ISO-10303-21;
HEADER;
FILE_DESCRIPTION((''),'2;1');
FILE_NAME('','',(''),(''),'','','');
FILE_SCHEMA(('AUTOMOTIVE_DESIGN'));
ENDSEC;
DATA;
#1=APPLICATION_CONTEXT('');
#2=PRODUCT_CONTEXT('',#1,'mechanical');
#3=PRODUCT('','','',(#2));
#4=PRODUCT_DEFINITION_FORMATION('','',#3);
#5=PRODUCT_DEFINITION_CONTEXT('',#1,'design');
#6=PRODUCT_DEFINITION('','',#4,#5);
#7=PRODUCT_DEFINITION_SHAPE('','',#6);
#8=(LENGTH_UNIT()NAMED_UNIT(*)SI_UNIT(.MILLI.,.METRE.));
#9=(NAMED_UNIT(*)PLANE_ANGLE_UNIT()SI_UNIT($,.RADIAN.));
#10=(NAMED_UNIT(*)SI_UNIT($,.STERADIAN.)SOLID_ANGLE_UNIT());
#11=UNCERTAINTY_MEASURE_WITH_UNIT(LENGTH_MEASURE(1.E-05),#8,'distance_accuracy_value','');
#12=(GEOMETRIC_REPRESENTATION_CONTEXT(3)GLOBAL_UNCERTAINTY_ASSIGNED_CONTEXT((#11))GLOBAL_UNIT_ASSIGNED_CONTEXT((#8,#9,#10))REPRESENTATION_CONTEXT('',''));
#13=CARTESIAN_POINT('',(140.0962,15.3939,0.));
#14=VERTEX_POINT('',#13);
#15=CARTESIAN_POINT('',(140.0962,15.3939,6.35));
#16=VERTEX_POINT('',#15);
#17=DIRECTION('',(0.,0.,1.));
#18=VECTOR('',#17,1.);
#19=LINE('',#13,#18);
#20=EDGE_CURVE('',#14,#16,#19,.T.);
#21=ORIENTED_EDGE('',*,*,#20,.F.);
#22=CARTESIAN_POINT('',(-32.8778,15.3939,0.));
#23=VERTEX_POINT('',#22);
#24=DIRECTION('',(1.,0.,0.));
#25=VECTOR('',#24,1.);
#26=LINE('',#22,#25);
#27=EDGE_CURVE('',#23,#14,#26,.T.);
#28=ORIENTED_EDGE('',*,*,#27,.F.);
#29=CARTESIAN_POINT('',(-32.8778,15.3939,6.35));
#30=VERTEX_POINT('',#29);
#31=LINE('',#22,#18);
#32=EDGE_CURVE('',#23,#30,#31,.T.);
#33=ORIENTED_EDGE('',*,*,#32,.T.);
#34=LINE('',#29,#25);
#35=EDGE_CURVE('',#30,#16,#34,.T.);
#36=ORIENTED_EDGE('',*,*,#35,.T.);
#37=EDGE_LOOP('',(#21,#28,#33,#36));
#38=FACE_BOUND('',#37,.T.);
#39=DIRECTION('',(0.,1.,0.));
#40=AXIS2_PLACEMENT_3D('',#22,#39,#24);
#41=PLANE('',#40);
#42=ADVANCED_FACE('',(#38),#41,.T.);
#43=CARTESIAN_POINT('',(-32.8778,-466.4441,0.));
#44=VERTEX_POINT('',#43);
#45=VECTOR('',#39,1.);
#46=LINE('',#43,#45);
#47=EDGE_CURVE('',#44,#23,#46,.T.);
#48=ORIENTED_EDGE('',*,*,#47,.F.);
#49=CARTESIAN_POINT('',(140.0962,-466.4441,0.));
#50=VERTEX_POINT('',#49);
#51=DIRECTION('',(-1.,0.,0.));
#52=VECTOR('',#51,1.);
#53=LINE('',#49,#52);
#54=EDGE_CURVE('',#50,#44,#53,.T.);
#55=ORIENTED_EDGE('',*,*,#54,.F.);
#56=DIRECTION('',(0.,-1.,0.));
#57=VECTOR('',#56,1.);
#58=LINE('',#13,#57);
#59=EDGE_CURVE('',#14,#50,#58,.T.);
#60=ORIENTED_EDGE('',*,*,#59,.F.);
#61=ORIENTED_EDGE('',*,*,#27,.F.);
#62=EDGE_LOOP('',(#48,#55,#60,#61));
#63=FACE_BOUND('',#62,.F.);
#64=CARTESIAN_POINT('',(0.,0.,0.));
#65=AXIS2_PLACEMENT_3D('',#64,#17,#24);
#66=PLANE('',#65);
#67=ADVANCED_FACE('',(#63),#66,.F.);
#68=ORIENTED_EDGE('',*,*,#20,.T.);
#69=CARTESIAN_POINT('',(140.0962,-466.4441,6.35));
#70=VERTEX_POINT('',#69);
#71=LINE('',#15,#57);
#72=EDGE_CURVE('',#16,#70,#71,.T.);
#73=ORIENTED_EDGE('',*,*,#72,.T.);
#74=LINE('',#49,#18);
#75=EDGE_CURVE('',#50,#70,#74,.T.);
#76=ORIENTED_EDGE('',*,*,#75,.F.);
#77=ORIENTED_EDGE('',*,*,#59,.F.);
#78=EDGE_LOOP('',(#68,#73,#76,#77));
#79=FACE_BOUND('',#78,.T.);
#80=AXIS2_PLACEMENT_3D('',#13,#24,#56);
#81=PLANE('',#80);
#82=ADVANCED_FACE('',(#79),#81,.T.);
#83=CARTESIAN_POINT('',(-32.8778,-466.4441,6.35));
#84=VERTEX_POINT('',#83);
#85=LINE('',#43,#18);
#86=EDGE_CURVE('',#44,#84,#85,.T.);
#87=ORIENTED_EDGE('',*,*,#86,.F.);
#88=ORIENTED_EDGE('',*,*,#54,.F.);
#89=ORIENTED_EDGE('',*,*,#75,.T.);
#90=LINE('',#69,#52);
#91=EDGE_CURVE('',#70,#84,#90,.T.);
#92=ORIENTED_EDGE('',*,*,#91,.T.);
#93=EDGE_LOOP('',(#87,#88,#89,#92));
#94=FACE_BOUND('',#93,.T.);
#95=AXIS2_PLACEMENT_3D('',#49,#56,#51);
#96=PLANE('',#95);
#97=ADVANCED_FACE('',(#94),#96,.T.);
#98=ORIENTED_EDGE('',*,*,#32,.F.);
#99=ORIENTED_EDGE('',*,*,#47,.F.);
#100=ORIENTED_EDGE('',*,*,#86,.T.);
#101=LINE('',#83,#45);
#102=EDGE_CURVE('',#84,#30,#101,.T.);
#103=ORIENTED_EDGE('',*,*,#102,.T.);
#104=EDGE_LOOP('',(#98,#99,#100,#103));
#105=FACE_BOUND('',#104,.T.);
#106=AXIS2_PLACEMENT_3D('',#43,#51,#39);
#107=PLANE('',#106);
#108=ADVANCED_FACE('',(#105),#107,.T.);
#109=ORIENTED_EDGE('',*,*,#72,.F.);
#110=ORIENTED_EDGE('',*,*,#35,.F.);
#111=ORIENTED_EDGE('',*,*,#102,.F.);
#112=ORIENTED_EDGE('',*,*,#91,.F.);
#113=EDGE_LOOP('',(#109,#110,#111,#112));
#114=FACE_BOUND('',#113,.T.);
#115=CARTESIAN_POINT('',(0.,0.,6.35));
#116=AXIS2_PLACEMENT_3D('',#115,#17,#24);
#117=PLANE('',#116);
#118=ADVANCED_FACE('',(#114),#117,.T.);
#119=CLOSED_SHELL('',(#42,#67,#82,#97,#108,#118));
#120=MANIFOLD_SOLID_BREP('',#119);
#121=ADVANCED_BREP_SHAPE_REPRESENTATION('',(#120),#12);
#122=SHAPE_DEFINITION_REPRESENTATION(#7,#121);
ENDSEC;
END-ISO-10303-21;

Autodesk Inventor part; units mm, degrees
ref_plane "YZ Plane" through (0, 0, 0) normal (1, 0, 0) x (0, 1, 0)
ref_plane "XZ Plane" through (0, 0, 0) normal (0, 1, 0) x (-1, 0, 0)
ref_plane "XY Plane" through (0, 0, 0) normal (0, 0, 1) x (1, 0, 0)
sketch "Sketch1" plane through (0, 0, 0) normal (0, 0, 1) x (1, 0, 0)
  line L0 (-32.8778, 15.3939) -> (140.0962, 15.3939)
  line L1 (140.0962, 15.3939) -> (140.0962, -466.4441)
  line L2 (140.0962, -466.4441) -> (-32.8778, -466.4441)
  line L3 (-32.8778, -466.4441) -> (-32.8778, 15.3939)
  point P0 (0, 0)
  dimension "d0" = 172.974
  dimension "d1" = 481.838
extrude "Extrusion1" add sketch "Sketch1" along normal blind 6.35
properties part number "small"
